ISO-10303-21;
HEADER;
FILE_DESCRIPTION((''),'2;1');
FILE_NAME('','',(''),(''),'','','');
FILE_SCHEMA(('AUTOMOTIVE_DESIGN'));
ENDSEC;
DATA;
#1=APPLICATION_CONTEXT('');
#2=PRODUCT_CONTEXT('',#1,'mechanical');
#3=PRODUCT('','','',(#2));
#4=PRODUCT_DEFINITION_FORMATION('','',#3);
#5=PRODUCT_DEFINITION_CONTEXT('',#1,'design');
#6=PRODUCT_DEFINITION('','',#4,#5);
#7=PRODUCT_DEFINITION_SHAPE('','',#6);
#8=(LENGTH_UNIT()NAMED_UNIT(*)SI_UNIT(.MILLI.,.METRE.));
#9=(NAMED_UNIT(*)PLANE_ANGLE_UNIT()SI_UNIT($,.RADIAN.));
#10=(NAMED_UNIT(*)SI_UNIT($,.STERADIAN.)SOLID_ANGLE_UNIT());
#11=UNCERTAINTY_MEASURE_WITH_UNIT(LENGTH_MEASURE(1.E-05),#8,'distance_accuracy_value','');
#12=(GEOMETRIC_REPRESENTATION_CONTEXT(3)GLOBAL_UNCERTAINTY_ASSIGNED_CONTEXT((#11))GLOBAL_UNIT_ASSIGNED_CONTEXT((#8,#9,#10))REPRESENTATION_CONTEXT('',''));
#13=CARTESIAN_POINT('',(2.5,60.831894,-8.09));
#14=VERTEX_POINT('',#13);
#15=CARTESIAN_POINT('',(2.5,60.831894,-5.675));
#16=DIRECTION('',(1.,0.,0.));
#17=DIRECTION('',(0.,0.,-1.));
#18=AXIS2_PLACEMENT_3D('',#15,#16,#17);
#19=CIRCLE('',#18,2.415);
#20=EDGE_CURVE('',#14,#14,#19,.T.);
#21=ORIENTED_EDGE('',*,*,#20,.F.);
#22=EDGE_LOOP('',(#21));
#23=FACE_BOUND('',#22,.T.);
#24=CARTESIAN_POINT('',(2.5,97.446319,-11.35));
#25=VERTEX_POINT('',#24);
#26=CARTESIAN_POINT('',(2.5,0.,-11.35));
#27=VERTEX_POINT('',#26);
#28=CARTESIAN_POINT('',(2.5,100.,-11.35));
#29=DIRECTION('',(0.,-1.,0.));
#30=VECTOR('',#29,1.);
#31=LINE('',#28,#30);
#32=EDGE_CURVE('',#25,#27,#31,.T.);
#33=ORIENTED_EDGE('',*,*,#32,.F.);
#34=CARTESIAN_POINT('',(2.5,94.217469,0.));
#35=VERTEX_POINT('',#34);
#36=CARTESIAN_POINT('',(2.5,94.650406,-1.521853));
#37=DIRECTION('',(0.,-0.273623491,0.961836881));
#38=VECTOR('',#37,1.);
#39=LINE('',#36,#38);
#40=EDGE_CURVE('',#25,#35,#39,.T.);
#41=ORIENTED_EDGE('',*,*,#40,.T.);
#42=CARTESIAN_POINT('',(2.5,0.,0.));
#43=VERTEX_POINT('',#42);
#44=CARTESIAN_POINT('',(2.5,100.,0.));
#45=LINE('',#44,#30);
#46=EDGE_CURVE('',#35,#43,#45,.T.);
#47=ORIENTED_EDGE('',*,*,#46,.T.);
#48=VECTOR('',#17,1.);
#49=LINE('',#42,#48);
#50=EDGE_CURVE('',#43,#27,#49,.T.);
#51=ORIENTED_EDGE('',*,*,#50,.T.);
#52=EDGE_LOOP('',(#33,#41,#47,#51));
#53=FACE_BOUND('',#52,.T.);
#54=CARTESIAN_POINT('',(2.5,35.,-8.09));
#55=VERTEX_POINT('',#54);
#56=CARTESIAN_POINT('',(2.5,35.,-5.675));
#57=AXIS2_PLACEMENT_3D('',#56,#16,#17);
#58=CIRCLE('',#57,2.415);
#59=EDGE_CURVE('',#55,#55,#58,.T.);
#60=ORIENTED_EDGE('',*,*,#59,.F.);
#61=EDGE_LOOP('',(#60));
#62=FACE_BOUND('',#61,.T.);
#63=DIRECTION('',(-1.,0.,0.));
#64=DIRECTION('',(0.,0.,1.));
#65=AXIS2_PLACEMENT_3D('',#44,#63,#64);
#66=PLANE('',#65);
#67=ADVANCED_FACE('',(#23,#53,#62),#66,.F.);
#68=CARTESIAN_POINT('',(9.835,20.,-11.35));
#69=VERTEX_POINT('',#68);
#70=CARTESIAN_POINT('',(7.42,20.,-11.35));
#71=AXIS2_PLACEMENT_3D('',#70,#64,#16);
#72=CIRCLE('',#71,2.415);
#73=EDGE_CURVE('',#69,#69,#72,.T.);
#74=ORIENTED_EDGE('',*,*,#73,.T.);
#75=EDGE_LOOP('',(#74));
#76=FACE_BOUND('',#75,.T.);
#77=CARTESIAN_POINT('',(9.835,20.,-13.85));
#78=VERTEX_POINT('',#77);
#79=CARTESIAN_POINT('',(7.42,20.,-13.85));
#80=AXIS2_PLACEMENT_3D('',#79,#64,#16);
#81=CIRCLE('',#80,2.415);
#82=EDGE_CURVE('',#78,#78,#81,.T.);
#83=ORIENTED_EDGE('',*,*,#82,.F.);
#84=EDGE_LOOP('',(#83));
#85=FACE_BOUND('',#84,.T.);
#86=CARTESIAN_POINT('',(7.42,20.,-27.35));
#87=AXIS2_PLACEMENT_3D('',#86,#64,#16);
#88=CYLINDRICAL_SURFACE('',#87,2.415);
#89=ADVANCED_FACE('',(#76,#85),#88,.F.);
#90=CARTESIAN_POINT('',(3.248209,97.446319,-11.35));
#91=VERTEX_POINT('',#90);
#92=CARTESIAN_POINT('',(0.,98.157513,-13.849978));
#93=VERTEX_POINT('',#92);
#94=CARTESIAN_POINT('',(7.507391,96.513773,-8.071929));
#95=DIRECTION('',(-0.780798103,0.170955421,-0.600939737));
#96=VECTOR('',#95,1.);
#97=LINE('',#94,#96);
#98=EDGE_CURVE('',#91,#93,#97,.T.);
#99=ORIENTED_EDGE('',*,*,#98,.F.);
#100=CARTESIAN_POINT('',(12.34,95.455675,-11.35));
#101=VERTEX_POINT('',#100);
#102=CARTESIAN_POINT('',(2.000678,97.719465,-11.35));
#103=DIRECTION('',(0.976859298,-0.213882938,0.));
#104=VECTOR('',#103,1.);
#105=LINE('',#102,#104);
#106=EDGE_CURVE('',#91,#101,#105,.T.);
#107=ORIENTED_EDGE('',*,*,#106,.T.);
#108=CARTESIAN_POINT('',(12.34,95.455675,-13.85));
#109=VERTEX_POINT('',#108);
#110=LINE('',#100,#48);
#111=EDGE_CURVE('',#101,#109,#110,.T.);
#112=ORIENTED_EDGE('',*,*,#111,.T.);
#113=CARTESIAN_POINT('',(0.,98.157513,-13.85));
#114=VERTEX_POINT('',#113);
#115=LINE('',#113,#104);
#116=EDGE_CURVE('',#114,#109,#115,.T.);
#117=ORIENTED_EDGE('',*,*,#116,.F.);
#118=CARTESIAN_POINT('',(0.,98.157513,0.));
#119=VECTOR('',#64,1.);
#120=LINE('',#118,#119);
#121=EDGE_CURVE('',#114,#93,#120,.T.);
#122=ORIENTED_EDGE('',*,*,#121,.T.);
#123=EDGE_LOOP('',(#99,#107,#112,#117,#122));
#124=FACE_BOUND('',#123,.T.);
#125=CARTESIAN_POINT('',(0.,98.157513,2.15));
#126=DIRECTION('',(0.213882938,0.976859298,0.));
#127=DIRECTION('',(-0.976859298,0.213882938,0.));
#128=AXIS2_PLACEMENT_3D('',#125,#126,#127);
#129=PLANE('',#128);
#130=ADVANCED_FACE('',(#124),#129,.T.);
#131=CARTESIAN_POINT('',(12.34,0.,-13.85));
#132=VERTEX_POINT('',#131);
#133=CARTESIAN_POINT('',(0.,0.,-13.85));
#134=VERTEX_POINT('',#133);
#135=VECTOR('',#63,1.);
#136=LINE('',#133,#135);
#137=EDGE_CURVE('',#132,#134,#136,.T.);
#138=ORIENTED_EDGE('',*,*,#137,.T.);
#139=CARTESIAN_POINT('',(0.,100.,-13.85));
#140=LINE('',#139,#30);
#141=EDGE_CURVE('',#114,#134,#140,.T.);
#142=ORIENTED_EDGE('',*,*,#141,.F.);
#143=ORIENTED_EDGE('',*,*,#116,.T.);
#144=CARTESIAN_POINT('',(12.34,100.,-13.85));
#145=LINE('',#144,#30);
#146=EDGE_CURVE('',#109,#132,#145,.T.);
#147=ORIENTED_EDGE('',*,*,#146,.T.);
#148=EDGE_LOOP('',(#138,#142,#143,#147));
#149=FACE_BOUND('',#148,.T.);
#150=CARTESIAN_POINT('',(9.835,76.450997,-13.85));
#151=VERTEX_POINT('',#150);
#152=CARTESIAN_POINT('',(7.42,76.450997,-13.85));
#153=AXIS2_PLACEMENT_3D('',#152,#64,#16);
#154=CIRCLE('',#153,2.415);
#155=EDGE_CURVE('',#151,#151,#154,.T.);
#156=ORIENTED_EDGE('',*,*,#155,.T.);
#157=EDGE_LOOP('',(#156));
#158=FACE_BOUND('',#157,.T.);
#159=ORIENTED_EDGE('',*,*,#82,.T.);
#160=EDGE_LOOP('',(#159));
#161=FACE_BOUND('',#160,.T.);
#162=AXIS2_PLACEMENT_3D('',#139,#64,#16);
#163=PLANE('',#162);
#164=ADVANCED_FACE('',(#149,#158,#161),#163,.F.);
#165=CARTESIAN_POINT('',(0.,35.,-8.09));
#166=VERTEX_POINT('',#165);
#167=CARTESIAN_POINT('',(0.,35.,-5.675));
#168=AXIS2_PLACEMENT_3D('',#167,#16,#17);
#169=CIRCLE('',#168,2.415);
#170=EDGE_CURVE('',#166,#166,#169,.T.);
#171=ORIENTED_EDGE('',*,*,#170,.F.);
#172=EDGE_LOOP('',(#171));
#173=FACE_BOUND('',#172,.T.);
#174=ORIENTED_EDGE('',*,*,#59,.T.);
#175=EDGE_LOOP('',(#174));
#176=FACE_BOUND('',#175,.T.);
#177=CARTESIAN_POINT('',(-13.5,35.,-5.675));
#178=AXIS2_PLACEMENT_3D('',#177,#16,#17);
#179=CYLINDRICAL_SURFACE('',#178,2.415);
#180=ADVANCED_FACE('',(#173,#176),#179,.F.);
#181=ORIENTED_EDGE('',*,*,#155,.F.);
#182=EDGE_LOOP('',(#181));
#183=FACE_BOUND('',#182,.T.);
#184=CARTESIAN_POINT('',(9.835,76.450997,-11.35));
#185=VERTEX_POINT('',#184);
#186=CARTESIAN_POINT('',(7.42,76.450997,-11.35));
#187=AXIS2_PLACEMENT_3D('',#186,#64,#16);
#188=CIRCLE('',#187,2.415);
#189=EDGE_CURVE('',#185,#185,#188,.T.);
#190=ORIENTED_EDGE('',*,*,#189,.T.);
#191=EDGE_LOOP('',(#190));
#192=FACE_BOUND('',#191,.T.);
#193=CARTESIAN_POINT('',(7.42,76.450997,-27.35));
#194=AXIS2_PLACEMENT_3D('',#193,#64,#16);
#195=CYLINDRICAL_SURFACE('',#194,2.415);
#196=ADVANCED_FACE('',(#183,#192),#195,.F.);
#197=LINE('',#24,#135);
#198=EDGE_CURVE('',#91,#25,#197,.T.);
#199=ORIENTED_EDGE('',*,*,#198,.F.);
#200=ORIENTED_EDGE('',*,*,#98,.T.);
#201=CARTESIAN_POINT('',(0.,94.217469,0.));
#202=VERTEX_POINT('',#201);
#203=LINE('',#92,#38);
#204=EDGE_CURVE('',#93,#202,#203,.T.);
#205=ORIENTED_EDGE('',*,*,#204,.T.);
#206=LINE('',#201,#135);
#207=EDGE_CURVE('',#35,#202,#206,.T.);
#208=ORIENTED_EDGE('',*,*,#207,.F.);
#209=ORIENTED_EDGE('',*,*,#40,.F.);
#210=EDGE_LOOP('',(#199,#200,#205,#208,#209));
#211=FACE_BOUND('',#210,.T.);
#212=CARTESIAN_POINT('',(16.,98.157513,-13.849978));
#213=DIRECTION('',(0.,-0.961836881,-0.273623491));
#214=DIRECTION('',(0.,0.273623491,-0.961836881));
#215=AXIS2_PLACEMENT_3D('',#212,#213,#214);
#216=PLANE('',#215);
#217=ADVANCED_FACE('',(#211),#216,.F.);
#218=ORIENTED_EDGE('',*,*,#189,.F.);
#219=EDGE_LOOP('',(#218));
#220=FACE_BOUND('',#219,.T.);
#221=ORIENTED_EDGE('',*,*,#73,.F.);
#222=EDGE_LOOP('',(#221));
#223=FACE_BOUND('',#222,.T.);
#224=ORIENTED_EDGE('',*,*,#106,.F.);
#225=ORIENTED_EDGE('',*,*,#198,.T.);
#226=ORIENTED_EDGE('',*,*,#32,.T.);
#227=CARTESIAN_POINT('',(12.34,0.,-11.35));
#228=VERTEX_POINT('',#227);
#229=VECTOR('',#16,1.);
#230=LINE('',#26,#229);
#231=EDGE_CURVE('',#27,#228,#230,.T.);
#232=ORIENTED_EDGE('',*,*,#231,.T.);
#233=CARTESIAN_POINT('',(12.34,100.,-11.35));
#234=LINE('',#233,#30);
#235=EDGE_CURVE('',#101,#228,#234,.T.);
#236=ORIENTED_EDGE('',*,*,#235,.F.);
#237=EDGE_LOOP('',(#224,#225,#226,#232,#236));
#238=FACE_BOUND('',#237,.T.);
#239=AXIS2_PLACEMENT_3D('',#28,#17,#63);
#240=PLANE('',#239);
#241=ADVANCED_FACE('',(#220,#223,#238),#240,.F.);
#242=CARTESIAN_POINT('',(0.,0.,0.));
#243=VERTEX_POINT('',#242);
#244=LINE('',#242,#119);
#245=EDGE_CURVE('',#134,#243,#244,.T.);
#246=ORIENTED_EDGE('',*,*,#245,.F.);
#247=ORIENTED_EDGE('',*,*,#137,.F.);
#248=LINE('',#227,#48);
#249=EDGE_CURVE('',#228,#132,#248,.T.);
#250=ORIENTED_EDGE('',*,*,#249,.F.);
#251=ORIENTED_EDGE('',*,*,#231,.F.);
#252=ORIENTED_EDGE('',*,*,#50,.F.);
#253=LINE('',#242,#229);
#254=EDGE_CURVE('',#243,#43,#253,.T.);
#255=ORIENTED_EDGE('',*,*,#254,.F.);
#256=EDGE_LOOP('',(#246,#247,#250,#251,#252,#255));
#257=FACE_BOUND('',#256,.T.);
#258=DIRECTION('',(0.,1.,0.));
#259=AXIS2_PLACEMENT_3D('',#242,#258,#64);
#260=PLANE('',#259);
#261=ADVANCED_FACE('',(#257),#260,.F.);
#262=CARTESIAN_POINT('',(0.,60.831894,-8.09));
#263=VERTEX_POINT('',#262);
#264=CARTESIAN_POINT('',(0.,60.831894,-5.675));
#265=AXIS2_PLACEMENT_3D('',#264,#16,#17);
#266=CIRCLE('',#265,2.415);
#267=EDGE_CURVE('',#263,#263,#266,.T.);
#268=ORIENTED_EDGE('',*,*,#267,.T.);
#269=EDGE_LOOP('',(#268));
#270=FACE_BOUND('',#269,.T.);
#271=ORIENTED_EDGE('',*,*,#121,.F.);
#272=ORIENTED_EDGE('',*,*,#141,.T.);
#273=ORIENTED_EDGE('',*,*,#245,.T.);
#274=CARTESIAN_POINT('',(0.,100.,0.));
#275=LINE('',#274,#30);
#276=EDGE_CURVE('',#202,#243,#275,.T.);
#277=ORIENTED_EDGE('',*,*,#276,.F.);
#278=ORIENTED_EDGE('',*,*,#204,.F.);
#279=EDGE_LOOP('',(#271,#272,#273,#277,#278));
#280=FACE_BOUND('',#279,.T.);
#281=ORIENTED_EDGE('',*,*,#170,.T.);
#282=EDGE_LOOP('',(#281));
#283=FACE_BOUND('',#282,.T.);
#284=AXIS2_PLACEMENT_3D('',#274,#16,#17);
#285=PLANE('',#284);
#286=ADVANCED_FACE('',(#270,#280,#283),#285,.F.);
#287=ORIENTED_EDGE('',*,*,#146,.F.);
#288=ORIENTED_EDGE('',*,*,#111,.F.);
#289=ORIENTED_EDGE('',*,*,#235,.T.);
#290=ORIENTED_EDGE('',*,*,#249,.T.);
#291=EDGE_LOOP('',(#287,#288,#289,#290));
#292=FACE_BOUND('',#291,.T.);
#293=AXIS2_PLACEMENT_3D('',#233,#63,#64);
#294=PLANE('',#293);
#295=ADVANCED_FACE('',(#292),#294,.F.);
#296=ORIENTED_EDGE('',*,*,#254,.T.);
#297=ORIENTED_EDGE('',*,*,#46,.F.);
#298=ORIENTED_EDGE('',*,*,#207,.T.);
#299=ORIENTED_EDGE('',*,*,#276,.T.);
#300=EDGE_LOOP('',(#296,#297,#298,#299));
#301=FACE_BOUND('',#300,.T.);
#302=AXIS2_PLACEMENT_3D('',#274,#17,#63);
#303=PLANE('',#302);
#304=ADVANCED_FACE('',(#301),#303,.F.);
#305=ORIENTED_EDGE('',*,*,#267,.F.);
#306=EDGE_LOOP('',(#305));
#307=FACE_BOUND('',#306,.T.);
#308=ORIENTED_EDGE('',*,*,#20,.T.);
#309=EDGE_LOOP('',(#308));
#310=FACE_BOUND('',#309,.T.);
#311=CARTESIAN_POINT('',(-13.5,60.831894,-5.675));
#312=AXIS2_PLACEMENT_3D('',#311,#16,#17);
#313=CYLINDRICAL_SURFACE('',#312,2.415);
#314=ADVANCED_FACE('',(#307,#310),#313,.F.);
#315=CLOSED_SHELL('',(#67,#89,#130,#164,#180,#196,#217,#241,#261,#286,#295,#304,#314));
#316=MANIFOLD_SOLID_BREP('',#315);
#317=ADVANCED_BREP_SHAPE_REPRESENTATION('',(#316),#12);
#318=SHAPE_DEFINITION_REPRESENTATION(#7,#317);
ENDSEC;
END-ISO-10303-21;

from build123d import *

# Parameters (mm, degrees)
BOSS_EXTRUDE1_DEPTH = 100
CUT_EXTRUDE5_DEPTH  = 16
CUT_EXTRUDE6_DEPTH  = 16
SKETCH8_R           = 2.415
CUT_EXTRUDE7_DEPTH  = 16
SKETCH6_R           = 2.415
CUT_EXTRUDE8_DEPTH  = 16


with BuildPart() as part:
    # Sketch1 → Boss-Extrude1 (new body)
    with BuildSketch(Plane(origin=(0, 0, 0), x_dir=(1, 0, 0), z_dir=(0, 1, 0))):
        Polygon((0, 0), (0, 13.85), (12.34, 13.85), (12.34, 11.35), (2.5, 11.35), (2.5, 0), align=None)
    extrude(amount=BOSS_EXTRUDE1_DEPTH)

    # Sketch5 → Cut-Extrude5 (cut)
    with BuildSketch(Plane(origin=(0, 0, -13.85), x_dir=(-1, 0, 0), z_dir=(0, 0, -1))):
        Polygon((0, 98.157512876), (-15.02502343, 99.39968578), (-15.02502343, 94.867790228), align=None)
    extrude(amount=-CUT_EXTRUDE5_DEPTH, mode=Mode.SUBTRACT)


with BuildPart() as body_2:
    # of the pieces the cut leaves, the one that is kept (cut_extrude5_keep)
    add(part.part.solids().sort_by_distance((0, 0, 0))[0])

    # Sketch4 → Cut-Extrude6 (cut)
    with BuildSketch(Plane.ZY):
        Polygon((-13.849977668, 98.157512876), (8.264271821, 91.866448074), (8.264271821, 98.157512876), align=None)
    extrude(amount=-CUT_EXTRUDE6_DEPTH, mode=Mode.SUBTRACT)

    # Sketch8 → Cut-Extrude7 (cut)
    with BuildSketch(Plane(origin=(2.5, 0, 0), x_dir=(0, 0, -1), z_dir=(1, 0, 0))):
        with Locations((5.675, 35)):
            Circle(SKETCH8_R)
        with Locations((5.675, 60.83189408)):
            Circle(SKETCH8_R)
    extrude(amount=-CUT_EXTRUDE7_DEPTH, mode=Mode.SUBTRACT)

    # Sketch6 → Cut-Extrude8 (cut)
    with BuildSketch(Plane.XY.offset(-11.35)):
        with Locations((7.42, 20)):
            Circle(SKETCH6_R)
        with Locations((7.42, 76.450996936)):
            Circle(SKETCH6_R)
    extrude(amount=-CUT_EXTRUDE8_DEPTH, mode=Mode.SUBTRACT)


solid = body_2.part
